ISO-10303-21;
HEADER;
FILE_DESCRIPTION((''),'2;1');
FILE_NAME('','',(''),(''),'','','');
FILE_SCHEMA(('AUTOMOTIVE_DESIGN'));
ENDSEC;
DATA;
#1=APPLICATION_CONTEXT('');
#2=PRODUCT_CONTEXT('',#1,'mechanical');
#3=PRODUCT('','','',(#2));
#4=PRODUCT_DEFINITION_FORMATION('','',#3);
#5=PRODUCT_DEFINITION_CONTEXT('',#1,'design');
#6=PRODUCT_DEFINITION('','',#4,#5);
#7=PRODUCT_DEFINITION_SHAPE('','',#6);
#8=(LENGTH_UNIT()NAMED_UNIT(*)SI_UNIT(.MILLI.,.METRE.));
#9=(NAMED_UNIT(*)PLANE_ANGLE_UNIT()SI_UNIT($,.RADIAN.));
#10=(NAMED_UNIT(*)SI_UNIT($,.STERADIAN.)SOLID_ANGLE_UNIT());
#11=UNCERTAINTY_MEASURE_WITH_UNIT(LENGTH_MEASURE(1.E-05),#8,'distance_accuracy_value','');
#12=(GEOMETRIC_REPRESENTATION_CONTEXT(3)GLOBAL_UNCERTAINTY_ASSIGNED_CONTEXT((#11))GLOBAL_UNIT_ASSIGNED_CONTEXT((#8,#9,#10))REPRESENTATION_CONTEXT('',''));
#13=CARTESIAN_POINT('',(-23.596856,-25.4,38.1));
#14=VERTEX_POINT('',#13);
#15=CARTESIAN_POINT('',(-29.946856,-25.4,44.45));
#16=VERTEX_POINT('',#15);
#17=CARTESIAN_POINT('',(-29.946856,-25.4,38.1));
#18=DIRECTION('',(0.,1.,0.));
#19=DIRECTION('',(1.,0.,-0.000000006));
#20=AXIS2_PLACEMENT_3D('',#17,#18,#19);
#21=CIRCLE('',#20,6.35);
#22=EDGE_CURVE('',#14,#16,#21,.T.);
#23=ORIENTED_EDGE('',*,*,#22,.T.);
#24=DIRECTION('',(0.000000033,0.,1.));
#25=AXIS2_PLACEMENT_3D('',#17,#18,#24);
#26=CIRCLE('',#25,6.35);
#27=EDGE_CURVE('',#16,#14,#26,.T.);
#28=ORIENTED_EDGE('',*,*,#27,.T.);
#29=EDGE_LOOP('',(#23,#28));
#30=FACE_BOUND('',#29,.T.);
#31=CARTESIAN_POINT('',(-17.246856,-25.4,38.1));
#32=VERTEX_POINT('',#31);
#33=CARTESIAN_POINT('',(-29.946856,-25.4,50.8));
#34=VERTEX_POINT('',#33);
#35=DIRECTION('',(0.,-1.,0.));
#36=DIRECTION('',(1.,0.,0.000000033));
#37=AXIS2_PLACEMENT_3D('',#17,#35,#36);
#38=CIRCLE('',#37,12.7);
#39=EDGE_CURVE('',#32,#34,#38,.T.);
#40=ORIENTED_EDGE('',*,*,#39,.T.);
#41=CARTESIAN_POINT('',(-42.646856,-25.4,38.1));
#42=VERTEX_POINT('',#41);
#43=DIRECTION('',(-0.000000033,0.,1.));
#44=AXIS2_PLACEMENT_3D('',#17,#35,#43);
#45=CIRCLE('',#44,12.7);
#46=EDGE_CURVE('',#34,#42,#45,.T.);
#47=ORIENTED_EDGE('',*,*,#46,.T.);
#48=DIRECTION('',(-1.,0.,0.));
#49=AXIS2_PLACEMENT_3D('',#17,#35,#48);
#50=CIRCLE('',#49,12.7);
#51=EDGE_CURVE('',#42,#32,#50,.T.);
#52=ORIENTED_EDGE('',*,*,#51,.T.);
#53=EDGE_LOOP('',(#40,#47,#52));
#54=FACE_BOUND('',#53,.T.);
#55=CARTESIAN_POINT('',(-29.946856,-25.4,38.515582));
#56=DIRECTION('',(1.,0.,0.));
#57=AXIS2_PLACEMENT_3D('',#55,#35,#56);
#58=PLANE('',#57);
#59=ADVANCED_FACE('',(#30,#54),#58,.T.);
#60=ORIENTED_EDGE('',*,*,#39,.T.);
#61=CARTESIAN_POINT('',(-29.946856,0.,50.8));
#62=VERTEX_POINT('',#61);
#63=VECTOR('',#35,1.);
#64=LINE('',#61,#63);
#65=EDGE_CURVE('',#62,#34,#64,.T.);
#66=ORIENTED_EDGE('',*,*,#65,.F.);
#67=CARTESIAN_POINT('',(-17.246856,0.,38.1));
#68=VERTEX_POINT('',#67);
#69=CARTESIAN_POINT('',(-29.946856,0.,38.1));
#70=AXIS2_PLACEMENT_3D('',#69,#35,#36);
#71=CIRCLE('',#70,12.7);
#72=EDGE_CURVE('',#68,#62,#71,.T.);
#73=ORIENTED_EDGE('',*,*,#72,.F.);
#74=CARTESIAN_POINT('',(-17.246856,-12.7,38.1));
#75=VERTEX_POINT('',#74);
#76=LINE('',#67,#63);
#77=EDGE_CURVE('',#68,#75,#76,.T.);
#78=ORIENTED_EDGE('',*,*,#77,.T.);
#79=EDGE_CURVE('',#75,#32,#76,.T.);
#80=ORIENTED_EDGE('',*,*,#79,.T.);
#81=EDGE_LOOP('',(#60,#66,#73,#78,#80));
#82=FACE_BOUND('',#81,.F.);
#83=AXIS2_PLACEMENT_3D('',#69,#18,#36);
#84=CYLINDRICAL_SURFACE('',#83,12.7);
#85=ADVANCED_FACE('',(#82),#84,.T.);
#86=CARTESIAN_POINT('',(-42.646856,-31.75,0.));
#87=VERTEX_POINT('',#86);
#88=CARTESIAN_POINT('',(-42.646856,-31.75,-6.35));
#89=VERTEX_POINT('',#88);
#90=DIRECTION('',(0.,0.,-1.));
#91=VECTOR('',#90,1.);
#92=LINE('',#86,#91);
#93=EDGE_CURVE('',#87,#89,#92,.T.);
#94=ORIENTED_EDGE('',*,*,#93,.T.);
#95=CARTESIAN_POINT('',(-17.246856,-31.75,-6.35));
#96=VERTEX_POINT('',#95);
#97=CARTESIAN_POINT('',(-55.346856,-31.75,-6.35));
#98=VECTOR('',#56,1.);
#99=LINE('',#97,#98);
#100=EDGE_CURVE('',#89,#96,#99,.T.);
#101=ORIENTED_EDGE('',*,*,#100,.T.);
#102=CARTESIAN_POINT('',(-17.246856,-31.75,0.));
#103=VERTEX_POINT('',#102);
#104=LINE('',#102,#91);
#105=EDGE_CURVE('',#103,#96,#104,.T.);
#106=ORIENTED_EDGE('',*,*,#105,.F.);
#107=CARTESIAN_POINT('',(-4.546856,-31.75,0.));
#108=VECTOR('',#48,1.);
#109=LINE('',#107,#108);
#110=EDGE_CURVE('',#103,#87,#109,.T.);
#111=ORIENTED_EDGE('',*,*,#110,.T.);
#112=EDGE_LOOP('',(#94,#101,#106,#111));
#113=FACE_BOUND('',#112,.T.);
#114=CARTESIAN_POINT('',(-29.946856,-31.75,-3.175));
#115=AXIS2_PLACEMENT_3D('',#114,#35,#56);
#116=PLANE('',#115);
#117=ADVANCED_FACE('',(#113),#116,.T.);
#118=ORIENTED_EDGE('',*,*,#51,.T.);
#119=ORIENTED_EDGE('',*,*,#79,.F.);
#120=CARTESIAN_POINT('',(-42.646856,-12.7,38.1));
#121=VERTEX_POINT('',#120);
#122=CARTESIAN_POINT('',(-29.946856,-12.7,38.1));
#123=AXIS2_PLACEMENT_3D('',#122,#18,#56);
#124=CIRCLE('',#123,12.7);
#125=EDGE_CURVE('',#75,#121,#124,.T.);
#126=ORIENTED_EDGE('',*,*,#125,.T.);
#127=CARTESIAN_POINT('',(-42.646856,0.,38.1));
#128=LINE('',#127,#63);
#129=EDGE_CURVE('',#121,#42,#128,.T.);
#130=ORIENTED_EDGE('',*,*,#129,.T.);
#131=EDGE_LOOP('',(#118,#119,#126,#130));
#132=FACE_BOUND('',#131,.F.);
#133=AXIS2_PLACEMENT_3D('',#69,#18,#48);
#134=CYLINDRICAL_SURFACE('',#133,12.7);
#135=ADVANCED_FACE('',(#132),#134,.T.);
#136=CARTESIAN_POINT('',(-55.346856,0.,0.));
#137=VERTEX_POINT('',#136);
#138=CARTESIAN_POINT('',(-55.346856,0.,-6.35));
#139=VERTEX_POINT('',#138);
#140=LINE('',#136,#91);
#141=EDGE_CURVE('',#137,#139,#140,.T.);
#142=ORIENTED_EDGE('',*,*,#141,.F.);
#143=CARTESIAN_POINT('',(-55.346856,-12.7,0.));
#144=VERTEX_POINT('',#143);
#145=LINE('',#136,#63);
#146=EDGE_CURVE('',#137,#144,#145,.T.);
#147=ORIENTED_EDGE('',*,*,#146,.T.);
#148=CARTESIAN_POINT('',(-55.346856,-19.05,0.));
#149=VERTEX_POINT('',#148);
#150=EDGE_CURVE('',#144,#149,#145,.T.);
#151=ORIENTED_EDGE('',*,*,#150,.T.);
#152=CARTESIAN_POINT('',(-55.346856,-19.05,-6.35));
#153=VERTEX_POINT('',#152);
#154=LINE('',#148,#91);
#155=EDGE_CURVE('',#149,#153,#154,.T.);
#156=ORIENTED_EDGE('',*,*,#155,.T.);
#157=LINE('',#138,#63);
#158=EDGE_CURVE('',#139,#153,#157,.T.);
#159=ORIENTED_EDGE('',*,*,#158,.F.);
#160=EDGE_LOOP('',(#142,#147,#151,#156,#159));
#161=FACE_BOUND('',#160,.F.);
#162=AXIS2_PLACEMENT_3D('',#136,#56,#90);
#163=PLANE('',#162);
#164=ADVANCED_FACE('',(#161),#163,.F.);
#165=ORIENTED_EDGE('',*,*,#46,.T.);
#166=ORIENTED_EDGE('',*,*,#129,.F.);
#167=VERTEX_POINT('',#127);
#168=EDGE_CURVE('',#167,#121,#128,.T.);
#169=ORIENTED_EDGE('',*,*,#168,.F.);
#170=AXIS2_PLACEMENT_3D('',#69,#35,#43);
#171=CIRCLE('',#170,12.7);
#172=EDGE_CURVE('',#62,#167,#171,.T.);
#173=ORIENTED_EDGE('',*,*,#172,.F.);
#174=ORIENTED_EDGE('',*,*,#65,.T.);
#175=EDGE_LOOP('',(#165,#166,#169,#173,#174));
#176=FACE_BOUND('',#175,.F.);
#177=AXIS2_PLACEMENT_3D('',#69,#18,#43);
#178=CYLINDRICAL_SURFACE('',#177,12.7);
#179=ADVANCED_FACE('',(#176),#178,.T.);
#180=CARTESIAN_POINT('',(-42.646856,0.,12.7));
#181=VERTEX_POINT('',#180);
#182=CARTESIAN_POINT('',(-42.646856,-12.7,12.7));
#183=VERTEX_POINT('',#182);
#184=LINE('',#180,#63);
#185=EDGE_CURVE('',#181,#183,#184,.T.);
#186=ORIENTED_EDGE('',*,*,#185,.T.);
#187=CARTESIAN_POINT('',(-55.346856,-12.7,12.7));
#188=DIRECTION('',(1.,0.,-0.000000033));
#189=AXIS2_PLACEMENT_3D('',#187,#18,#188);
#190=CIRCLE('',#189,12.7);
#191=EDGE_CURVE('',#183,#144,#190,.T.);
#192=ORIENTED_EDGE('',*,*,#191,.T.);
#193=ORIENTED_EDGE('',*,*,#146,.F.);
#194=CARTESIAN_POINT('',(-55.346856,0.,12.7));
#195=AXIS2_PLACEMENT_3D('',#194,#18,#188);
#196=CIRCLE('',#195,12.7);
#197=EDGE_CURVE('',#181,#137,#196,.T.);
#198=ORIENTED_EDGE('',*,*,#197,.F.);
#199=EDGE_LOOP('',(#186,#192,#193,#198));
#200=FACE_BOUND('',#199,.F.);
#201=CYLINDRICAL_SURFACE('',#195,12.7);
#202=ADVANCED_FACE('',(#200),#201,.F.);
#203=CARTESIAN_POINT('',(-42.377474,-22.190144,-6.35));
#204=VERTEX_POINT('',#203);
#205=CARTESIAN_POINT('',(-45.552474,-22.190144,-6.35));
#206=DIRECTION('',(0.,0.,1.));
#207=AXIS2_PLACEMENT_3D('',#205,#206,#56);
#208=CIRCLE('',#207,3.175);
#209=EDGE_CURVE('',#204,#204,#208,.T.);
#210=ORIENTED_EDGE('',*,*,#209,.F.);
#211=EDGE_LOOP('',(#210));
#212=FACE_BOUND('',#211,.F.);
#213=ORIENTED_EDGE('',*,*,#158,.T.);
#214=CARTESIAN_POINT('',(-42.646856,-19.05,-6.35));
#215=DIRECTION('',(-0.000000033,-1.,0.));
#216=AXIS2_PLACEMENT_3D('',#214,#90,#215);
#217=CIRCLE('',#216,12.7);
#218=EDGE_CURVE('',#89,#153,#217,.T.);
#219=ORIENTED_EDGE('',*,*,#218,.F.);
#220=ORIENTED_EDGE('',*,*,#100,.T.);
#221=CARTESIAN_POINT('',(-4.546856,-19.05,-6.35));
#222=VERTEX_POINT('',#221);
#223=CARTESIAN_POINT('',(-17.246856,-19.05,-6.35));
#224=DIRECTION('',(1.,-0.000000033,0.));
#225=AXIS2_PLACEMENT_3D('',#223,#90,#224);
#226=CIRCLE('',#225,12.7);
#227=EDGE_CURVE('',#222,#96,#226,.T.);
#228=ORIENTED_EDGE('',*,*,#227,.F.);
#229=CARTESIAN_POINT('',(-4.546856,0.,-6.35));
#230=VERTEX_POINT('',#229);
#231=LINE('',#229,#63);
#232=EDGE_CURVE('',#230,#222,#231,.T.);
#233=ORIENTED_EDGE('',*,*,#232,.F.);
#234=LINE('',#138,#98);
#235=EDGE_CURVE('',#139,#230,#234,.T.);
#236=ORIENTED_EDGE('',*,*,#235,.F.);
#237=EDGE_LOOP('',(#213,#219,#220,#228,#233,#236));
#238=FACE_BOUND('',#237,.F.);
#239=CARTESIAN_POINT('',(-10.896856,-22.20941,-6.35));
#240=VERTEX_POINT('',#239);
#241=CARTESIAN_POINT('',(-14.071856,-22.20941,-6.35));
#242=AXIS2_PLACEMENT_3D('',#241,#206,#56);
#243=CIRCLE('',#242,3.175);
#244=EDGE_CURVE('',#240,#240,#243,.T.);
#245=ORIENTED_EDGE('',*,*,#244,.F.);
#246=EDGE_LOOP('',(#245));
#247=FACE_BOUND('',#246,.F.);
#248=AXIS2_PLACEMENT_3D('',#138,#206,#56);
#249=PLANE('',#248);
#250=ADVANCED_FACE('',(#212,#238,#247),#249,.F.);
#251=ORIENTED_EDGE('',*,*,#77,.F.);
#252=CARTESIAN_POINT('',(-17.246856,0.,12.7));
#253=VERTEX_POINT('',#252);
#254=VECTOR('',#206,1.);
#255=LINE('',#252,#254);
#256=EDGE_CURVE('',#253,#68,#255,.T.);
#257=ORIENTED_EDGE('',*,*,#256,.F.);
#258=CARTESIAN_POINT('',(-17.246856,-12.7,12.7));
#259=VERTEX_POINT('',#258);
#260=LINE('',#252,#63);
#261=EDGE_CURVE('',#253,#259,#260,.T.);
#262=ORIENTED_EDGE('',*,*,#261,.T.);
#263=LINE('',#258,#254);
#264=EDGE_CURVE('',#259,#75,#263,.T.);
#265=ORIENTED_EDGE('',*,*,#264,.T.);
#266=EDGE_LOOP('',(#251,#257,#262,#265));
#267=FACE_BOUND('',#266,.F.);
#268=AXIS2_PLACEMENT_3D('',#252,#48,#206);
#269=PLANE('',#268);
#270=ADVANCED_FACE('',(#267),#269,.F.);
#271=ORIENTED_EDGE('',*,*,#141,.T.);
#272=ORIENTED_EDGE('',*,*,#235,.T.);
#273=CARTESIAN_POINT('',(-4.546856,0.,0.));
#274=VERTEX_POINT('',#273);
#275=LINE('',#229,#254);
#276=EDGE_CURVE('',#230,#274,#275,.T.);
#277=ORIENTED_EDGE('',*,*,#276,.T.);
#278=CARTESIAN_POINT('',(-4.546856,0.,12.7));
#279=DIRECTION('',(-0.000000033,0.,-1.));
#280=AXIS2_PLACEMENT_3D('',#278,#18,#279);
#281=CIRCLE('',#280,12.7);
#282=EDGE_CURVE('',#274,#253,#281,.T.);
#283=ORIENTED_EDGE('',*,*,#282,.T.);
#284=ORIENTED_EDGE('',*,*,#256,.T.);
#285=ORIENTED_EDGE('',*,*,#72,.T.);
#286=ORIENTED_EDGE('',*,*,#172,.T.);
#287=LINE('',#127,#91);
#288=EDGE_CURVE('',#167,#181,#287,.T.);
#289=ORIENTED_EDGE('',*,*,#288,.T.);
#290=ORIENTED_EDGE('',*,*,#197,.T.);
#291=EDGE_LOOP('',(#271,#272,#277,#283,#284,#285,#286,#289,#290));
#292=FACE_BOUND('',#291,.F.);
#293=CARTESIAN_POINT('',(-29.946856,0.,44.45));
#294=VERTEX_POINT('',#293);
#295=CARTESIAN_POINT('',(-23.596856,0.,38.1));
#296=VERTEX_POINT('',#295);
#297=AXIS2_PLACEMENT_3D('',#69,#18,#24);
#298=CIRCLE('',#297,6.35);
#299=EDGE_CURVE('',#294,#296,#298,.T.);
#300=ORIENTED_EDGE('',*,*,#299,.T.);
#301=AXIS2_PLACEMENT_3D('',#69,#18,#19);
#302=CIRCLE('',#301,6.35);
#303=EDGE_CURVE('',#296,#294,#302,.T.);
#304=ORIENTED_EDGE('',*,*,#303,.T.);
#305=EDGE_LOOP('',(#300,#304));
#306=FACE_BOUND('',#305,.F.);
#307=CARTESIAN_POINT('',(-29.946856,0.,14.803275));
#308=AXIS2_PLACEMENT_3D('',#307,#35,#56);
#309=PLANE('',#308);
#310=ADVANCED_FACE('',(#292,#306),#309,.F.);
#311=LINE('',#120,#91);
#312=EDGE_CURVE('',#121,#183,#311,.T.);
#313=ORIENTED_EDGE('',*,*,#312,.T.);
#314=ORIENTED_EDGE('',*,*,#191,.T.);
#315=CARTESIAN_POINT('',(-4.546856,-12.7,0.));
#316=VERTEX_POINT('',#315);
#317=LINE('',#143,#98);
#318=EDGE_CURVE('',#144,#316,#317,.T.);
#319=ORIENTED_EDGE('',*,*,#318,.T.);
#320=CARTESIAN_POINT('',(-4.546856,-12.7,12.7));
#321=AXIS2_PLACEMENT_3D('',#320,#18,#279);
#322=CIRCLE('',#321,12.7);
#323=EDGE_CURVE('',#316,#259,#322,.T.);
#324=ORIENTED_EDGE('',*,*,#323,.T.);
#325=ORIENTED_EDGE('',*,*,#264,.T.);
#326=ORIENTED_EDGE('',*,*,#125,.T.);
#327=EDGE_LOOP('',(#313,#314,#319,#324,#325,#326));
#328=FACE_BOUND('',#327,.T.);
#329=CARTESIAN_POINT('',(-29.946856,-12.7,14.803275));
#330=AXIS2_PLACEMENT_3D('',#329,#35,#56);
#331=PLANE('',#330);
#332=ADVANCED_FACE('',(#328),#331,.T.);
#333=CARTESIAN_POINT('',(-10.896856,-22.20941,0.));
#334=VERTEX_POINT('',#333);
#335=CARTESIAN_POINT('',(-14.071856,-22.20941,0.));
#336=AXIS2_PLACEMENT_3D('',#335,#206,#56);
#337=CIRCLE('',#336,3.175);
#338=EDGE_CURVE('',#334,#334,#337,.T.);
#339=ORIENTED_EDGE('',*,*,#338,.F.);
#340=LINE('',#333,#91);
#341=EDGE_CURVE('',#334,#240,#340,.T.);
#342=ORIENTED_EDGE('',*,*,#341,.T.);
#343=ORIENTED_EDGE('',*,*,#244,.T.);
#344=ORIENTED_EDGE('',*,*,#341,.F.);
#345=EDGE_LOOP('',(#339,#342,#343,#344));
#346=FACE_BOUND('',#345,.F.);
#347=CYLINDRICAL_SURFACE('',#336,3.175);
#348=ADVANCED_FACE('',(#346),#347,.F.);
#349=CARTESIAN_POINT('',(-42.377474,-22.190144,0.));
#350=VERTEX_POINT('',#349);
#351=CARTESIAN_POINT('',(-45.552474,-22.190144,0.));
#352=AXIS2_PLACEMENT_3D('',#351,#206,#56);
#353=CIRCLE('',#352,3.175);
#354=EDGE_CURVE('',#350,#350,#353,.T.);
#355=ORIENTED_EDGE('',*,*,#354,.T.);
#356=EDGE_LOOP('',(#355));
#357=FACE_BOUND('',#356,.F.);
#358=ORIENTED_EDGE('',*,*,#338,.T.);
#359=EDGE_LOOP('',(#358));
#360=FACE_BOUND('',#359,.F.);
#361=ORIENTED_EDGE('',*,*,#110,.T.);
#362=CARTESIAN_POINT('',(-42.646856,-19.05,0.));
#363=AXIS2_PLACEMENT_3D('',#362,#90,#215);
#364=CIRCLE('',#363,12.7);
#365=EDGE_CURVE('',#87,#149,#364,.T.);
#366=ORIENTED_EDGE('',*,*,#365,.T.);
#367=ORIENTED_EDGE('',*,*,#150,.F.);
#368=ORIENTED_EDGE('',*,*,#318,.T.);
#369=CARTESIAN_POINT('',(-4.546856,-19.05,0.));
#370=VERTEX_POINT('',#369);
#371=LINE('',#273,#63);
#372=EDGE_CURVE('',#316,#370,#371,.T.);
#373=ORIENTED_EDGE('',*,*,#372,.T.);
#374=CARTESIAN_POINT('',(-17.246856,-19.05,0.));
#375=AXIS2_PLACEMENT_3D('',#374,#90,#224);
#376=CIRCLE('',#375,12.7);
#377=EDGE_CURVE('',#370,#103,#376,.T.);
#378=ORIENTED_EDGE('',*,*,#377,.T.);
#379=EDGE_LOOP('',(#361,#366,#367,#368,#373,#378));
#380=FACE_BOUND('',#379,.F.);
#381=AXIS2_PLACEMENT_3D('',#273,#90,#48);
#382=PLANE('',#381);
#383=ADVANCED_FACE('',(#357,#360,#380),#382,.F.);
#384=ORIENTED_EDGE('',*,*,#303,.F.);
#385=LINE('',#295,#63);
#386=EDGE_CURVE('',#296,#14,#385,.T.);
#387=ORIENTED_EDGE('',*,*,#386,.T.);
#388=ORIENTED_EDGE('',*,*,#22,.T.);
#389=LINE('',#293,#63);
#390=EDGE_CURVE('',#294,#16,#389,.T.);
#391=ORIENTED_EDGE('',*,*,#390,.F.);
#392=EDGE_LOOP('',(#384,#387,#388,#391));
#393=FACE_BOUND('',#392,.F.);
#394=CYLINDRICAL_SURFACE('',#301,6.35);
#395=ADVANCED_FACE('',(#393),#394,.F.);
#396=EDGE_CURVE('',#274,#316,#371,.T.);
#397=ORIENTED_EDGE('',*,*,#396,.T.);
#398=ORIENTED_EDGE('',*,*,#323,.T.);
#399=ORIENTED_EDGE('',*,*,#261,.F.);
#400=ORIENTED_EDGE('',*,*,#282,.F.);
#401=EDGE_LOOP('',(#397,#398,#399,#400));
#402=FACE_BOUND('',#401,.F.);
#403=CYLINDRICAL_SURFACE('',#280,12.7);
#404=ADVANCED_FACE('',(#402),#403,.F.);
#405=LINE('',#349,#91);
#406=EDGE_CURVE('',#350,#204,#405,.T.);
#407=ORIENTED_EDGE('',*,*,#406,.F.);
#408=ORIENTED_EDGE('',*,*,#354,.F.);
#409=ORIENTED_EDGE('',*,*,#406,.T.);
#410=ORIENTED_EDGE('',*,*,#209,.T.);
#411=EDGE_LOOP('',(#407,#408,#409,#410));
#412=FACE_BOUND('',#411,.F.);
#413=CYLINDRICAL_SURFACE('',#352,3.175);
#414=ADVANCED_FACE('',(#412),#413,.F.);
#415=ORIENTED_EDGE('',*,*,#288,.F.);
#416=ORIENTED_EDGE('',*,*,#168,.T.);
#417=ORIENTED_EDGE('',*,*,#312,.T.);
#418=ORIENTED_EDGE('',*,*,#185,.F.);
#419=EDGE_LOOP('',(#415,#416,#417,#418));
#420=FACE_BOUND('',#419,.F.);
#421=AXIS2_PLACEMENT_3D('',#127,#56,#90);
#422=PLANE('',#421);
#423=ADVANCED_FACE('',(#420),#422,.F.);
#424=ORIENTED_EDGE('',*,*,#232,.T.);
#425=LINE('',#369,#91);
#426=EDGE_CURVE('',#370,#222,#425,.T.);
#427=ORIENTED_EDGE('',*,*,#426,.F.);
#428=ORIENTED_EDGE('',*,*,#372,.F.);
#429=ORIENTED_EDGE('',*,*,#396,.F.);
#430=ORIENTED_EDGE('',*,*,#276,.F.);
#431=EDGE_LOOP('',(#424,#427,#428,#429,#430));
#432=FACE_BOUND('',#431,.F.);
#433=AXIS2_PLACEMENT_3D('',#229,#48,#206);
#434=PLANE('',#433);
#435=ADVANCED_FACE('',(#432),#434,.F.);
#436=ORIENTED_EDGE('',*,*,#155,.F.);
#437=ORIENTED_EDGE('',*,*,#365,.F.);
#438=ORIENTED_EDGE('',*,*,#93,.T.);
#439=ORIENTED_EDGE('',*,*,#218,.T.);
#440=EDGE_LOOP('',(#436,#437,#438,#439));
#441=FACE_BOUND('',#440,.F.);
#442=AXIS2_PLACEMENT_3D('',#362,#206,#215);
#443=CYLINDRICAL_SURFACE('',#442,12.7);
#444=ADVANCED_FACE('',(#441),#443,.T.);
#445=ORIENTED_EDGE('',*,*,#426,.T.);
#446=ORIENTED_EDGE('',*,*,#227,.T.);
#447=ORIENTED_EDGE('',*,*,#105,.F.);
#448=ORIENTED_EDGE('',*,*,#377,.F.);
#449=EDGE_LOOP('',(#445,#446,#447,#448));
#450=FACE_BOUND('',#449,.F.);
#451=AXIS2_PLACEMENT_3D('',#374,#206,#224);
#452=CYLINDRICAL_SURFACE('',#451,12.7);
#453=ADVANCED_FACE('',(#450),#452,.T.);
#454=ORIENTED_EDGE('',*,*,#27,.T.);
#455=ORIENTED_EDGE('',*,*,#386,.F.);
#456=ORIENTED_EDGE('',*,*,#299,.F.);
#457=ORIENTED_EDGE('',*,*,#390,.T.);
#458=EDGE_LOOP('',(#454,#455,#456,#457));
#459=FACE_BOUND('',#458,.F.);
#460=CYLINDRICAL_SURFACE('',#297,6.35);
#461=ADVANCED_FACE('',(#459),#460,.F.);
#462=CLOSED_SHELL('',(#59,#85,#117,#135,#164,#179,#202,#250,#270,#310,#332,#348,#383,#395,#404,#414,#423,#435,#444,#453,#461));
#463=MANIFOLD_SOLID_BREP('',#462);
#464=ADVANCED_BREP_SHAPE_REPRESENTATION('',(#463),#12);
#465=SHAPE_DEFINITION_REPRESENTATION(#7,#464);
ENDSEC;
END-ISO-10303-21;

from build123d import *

# Parameters (mm, degrees)
F1_DEPTH = 31.75
F2_DEPTH = 25.4
F3_DEPTH = 12.7
F5_DEPTH = 6.35
F6_R     = 3.175
F7_DEPTH = 6.35


with BuildPart() as f1:
    # F0 (on Front) → F1 (new body)
    with BuildSketch(Plane.XZ):
        Polygon((-42.646856, 0), (-55.346856, 0), (-55.346856, -6.35), (-4.546856, -6.35), (-4.546856, 0), (-17.246856, 0), align=None)
    extrude(amount=F1_DEPTH)



with BuildPart() as f2:
    # F0 (on Front) → F2 (new body)
    with BuildSketch(Plane.XZ):
        with BuildLine():
            ThreePointArc((-17.246856, 38.1), (-20.9666, 47.080256), (-29.946856, 50.8))
            ThreePointArc((-29.946856, 50.8), (-38.927112, 47.080256), (-42.646856, 38.1))
            ThreePointArc((-42.646856, 38.1), (-29.946856, 25.4), (-17.246856, 38.1))
        make_face()
        with BuildLine():
            ThreePointArc((-23.596856, 38.1), (-34.436984, 33.609872), (-29.946856, 44.45))
            ThreePointArc((-29.946856, 44.45), (-25.456728, 42.590128), (-23.596856, 38.1))
        make_face(mode=Mode.SUBTRACT)
    extrude(amount=F2_DEPTH)


with BuildPart() as f1_1:
    add(f1.part)

    add(f2.part)  # F3 merges F2
    # F0 (on Front) → F3 (join)
    with BuildSketch(Plane.XZ):
        with BuildLine():
            ThreePointArc((-42.646856, 12.7), (-46.3666, 3.719744), (-55.346856, 0))
            Line((-55.346856, 0), (-42.646856, 0))
            Line((-42.646856, 0), (-17.246856, 0))
            Line((-17.246856, 0), (-4.546856, 0))
            ThreePointArc((-4.546856, 0), (-13.527112, 3.719744), (-17.246856, 12.7))
            Line((-17.246856, 12.7), (-17.246856, 38.1))
            ThreePointArc((-17.246856, 38.1), (-29.946856, 25.4), (-42.646856, 38.1))
            Line((-42.646856, 38.1), (-42.646856, 12.7))
        make_face()
    extrude(amount=F3_DEPTH)

    # F4 (on face) → F5 (cut)
    with BuildSketch(Plane.XY):
        with BuildLine():
            ThreePointArc((-42.646856, -31.75), (-51.627112, -28.030256), (-55.346856, -19.05))
            Line((-55.346856, -19.05), (-55.346856, -31.75))
            Line((-55.346856, -31.75), (-42.646856, -31.75))
        make_face()
        with BuildLine():
            Line((-4.546856, -31.75), (-4.546856, -19.05))
            ThreePointArc((-4.546856, -19.05), (-8.2666, -28.030256), (-17.246856, -31.75))
            Line((-17.246856, -31.75), (-4.546856, -31.75))
        make_face()
    extrude(amount=-F5_DEPTH, mode=Mode.SUBTRACT)

    # F6 (on face) → F7 (cut)
    with BuildSketch(Plane.XY):
        with Locations((-45.552474, -22.190144)):
            Circle(F6_R)
        with Locations((-14.071856, -22.20941)):
            Circle(F6_R)
    extrude(amount=-F7_DEPTH, mode=Mode.SUBTRACT)


solid = f1_1.part
